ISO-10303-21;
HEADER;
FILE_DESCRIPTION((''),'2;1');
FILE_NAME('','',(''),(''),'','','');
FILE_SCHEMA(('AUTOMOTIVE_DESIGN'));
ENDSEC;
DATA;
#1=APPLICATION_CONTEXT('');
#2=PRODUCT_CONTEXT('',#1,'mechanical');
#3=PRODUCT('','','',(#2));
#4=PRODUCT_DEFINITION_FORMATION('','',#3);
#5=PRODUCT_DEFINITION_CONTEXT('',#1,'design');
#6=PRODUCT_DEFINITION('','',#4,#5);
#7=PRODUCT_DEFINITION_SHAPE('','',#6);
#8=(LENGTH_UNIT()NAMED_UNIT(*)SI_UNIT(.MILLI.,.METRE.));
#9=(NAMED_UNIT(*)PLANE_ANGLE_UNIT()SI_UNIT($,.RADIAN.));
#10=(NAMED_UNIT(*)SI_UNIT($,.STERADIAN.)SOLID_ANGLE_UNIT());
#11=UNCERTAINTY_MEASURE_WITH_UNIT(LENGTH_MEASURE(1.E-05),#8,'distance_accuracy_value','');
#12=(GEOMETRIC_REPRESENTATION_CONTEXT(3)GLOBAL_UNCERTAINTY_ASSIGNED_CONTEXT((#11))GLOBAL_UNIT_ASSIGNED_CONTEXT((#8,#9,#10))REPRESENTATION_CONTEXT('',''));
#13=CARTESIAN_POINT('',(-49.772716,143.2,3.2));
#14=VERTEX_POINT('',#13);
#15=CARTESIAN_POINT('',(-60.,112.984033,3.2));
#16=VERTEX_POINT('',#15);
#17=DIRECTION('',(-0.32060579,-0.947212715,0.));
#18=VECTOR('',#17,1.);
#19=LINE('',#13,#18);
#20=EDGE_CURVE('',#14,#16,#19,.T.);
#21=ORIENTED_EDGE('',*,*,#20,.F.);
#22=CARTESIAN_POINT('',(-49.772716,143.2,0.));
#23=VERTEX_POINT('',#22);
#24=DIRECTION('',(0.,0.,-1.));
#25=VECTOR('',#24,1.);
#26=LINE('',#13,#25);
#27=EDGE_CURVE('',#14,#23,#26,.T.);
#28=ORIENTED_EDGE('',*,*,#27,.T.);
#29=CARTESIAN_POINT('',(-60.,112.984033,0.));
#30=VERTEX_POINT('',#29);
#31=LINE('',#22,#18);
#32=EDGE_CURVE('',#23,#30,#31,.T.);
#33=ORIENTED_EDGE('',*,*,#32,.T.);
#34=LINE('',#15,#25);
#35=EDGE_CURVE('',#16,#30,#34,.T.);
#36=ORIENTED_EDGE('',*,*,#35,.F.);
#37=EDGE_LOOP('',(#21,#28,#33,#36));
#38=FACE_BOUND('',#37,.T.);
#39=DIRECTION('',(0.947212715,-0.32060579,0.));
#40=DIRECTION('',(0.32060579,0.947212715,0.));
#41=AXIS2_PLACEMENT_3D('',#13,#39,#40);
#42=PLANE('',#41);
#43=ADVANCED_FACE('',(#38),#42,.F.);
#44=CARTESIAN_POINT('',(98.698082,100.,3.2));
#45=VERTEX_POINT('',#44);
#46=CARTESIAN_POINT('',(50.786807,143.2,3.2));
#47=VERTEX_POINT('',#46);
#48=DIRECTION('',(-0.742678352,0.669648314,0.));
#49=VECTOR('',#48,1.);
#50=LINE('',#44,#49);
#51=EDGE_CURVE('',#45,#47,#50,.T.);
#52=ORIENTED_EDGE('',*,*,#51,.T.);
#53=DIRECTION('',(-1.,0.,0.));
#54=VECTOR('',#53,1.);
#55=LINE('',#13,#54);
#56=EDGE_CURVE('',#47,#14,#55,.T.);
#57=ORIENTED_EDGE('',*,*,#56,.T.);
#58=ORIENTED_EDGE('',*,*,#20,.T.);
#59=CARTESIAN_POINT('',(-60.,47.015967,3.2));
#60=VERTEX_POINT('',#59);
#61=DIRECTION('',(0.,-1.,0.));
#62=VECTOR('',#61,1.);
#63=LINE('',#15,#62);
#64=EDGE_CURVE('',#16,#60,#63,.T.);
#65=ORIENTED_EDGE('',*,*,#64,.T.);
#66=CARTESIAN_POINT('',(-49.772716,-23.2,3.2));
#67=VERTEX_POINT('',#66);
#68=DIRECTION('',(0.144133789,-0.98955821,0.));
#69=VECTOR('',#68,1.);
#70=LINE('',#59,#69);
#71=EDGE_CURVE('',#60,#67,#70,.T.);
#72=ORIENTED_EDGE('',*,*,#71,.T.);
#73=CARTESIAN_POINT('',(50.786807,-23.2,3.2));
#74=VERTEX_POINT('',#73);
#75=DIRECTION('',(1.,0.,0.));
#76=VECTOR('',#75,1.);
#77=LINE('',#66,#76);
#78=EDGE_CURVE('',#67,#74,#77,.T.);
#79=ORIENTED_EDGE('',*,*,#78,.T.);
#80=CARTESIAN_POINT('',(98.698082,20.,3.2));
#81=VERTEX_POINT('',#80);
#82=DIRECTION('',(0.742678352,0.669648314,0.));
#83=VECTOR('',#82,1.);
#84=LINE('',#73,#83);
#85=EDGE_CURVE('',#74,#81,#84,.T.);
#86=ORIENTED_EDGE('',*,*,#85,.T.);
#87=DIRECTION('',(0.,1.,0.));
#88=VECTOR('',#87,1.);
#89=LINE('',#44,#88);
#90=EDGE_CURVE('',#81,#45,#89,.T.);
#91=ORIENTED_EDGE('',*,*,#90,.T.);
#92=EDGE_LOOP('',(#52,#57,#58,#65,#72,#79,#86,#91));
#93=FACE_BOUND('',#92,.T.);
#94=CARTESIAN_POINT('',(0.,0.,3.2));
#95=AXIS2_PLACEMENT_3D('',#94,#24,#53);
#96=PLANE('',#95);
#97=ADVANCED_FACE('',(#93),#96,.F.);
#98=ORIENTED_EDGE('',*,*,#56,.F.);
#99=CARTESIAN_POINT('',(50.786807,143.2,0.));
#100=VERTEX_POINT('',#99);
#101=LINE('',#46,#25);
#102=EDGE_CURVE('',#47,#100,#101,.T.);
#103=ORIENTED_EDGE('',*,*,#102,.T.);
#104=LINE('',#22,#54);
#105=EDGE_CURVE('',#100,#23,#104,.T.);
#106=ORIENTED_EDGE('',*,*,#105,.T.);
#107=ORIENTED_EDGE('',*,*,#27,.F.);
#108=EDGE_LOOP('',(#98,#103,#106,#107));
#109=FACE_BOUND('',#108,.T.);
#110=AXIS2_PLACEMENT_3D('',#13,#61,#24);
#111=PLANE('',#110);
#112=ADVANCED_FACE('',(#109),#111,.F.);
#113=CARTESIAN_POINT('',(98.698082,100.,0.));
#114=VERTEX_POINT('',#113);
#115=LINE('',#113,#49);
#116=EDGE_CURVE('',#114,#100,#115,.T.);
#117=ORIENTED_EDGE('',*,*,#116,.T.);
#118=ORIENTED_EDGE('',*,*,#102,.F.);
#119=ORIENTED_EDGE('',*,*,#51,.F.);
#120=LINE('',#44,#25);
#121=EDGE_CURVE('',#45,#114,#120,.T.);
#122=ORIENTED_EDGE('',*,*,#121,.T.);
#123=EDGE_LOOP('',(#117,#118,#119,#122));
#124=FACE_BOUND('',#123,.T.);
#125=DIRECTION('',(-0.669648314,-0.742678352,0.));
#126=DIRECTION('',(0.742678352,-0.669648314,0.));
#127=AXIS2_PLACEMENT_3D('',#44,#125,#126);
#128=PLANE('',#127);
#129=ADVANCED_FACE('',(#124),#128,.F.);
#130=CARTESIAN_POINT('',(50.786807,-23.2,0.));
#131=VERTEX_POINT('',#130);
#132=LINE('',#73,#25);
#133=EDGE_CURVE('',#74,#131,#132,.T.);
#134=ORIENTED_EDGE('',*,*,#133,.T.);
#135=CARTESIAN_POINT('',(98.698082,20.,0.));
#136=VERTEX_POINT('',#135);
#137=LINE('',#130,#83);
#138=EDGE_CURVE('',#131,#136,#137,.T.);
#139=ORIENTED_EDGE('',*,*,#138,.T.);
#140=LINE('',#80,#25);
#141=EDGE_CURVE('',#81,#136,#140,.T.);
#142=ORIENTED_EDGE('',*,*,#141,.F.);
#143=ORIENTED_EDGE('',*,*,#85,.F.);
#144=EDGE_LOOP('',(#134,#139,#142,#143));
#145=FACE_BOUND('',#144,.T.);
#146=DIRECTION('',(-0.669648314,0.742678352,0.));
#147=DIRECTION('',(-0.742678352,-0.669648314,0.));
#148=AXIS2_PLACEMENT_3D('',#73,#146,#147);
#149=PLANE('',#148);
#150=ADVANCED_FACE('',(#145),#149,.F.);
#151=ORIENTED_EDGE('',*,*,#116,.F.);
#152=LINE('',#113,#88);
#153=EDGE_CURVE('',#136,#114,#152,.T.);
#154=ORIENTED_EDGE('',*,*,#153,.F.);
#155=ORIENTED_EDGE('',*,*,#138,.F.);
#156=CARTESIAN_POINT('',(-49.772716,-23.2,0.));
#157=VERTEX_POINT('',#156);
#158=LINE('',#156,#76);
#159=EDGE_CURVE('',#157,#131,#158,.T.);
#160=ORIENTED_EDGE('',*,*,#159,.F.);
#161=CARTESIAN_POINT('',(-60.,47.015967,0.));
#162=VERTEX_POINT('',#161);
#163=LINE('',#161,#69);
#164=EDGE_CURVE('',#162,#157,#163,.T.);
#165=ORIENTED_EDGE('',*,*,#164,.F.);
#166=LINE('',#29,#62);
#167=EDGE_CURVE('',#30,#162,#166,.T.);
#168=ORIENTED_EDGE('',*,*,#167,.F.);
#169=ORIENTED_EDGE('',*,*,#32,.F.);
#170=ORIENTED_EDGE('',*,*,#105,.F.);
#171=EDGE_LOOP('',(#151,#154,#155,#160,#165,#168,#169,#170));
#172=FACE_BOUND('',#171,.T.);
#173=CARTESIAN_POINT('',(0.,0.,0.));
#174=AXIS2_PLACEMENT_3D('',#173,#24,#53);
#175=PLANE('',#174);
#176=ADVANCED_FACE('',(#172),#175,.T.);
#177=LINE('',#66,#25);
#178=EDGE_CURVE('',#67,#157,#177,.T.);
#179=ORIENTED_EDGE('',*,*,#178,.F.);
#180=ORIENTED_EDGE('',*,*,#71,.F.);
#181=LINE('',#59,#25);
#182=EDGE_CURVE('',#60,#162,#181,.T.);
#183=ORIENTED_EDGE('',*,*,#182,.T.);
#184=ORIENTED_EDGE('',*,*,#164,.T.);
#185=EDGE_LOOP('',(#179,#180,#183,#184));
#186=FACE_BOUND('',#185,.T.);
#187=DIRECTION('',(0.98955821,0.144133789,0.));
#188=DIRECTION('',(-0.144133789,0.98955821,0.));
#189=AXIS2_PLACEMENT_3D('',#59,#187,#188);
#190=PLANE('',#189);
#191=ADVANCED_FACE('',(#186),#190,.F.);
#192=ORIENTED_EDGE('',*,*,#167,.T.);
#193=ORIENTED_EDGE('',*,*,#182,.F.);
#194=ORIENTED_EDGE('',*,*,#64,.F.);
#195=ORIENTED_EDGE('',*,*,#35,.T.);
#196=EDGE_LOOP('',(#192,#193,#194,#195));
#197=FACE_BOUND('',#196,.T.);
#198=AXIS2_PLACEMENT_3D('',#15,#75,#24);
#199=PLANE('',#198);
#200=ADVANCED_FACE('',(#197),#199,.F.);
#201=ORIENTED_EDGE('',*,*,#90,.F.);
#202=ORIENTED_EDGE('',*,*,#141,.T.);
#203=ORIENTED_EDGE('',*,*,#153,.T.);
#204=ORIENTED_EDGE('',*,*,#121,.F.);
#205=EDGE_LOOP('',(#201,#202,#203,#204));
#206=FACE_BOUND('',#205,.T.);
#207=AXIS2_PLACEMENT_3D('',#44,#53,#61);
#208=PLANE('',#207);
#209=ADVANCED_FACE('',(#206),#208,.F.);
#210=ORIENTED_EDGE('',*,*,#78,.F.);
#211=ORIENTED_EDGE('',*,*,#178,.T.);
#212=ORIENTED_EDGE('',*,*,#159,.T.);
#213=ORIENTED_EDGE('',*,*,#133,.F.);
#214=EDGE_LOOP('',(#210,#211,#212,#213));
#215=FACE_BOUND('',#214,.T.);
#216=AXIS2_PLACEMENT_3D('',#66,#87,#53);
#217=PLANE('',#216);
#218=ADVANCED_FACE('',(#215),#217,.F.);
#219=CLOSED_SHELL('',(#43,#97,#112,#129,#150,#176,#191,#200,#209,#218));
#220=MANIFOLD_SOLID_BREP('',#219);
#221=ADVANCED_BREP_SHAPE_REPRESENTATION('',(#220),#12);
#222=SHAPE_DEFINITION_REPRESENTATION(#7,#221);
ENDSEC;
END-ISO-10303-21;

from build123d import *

# Parameters (mm, degrees)
EXTRUDE_1_DEPTH = 3.2


with BuildPart() as part:
    # Эскиз2 → Бобышка-Вытянуть1 (new body)
    with BuildSketch(Plane.XY):
        Polygon((-49.772715521, 143.2), (50.786806886, 143.2), (98.698082302, 100), (98.698082302, 20), (50.786806886, -23.2), (-49.772715521, -23.2), (-60, 47.015966792), (-60, 112.984033208), align=None)
    extrude(amount=EXTRUDE_1_DEPTH)


solid = part.part
